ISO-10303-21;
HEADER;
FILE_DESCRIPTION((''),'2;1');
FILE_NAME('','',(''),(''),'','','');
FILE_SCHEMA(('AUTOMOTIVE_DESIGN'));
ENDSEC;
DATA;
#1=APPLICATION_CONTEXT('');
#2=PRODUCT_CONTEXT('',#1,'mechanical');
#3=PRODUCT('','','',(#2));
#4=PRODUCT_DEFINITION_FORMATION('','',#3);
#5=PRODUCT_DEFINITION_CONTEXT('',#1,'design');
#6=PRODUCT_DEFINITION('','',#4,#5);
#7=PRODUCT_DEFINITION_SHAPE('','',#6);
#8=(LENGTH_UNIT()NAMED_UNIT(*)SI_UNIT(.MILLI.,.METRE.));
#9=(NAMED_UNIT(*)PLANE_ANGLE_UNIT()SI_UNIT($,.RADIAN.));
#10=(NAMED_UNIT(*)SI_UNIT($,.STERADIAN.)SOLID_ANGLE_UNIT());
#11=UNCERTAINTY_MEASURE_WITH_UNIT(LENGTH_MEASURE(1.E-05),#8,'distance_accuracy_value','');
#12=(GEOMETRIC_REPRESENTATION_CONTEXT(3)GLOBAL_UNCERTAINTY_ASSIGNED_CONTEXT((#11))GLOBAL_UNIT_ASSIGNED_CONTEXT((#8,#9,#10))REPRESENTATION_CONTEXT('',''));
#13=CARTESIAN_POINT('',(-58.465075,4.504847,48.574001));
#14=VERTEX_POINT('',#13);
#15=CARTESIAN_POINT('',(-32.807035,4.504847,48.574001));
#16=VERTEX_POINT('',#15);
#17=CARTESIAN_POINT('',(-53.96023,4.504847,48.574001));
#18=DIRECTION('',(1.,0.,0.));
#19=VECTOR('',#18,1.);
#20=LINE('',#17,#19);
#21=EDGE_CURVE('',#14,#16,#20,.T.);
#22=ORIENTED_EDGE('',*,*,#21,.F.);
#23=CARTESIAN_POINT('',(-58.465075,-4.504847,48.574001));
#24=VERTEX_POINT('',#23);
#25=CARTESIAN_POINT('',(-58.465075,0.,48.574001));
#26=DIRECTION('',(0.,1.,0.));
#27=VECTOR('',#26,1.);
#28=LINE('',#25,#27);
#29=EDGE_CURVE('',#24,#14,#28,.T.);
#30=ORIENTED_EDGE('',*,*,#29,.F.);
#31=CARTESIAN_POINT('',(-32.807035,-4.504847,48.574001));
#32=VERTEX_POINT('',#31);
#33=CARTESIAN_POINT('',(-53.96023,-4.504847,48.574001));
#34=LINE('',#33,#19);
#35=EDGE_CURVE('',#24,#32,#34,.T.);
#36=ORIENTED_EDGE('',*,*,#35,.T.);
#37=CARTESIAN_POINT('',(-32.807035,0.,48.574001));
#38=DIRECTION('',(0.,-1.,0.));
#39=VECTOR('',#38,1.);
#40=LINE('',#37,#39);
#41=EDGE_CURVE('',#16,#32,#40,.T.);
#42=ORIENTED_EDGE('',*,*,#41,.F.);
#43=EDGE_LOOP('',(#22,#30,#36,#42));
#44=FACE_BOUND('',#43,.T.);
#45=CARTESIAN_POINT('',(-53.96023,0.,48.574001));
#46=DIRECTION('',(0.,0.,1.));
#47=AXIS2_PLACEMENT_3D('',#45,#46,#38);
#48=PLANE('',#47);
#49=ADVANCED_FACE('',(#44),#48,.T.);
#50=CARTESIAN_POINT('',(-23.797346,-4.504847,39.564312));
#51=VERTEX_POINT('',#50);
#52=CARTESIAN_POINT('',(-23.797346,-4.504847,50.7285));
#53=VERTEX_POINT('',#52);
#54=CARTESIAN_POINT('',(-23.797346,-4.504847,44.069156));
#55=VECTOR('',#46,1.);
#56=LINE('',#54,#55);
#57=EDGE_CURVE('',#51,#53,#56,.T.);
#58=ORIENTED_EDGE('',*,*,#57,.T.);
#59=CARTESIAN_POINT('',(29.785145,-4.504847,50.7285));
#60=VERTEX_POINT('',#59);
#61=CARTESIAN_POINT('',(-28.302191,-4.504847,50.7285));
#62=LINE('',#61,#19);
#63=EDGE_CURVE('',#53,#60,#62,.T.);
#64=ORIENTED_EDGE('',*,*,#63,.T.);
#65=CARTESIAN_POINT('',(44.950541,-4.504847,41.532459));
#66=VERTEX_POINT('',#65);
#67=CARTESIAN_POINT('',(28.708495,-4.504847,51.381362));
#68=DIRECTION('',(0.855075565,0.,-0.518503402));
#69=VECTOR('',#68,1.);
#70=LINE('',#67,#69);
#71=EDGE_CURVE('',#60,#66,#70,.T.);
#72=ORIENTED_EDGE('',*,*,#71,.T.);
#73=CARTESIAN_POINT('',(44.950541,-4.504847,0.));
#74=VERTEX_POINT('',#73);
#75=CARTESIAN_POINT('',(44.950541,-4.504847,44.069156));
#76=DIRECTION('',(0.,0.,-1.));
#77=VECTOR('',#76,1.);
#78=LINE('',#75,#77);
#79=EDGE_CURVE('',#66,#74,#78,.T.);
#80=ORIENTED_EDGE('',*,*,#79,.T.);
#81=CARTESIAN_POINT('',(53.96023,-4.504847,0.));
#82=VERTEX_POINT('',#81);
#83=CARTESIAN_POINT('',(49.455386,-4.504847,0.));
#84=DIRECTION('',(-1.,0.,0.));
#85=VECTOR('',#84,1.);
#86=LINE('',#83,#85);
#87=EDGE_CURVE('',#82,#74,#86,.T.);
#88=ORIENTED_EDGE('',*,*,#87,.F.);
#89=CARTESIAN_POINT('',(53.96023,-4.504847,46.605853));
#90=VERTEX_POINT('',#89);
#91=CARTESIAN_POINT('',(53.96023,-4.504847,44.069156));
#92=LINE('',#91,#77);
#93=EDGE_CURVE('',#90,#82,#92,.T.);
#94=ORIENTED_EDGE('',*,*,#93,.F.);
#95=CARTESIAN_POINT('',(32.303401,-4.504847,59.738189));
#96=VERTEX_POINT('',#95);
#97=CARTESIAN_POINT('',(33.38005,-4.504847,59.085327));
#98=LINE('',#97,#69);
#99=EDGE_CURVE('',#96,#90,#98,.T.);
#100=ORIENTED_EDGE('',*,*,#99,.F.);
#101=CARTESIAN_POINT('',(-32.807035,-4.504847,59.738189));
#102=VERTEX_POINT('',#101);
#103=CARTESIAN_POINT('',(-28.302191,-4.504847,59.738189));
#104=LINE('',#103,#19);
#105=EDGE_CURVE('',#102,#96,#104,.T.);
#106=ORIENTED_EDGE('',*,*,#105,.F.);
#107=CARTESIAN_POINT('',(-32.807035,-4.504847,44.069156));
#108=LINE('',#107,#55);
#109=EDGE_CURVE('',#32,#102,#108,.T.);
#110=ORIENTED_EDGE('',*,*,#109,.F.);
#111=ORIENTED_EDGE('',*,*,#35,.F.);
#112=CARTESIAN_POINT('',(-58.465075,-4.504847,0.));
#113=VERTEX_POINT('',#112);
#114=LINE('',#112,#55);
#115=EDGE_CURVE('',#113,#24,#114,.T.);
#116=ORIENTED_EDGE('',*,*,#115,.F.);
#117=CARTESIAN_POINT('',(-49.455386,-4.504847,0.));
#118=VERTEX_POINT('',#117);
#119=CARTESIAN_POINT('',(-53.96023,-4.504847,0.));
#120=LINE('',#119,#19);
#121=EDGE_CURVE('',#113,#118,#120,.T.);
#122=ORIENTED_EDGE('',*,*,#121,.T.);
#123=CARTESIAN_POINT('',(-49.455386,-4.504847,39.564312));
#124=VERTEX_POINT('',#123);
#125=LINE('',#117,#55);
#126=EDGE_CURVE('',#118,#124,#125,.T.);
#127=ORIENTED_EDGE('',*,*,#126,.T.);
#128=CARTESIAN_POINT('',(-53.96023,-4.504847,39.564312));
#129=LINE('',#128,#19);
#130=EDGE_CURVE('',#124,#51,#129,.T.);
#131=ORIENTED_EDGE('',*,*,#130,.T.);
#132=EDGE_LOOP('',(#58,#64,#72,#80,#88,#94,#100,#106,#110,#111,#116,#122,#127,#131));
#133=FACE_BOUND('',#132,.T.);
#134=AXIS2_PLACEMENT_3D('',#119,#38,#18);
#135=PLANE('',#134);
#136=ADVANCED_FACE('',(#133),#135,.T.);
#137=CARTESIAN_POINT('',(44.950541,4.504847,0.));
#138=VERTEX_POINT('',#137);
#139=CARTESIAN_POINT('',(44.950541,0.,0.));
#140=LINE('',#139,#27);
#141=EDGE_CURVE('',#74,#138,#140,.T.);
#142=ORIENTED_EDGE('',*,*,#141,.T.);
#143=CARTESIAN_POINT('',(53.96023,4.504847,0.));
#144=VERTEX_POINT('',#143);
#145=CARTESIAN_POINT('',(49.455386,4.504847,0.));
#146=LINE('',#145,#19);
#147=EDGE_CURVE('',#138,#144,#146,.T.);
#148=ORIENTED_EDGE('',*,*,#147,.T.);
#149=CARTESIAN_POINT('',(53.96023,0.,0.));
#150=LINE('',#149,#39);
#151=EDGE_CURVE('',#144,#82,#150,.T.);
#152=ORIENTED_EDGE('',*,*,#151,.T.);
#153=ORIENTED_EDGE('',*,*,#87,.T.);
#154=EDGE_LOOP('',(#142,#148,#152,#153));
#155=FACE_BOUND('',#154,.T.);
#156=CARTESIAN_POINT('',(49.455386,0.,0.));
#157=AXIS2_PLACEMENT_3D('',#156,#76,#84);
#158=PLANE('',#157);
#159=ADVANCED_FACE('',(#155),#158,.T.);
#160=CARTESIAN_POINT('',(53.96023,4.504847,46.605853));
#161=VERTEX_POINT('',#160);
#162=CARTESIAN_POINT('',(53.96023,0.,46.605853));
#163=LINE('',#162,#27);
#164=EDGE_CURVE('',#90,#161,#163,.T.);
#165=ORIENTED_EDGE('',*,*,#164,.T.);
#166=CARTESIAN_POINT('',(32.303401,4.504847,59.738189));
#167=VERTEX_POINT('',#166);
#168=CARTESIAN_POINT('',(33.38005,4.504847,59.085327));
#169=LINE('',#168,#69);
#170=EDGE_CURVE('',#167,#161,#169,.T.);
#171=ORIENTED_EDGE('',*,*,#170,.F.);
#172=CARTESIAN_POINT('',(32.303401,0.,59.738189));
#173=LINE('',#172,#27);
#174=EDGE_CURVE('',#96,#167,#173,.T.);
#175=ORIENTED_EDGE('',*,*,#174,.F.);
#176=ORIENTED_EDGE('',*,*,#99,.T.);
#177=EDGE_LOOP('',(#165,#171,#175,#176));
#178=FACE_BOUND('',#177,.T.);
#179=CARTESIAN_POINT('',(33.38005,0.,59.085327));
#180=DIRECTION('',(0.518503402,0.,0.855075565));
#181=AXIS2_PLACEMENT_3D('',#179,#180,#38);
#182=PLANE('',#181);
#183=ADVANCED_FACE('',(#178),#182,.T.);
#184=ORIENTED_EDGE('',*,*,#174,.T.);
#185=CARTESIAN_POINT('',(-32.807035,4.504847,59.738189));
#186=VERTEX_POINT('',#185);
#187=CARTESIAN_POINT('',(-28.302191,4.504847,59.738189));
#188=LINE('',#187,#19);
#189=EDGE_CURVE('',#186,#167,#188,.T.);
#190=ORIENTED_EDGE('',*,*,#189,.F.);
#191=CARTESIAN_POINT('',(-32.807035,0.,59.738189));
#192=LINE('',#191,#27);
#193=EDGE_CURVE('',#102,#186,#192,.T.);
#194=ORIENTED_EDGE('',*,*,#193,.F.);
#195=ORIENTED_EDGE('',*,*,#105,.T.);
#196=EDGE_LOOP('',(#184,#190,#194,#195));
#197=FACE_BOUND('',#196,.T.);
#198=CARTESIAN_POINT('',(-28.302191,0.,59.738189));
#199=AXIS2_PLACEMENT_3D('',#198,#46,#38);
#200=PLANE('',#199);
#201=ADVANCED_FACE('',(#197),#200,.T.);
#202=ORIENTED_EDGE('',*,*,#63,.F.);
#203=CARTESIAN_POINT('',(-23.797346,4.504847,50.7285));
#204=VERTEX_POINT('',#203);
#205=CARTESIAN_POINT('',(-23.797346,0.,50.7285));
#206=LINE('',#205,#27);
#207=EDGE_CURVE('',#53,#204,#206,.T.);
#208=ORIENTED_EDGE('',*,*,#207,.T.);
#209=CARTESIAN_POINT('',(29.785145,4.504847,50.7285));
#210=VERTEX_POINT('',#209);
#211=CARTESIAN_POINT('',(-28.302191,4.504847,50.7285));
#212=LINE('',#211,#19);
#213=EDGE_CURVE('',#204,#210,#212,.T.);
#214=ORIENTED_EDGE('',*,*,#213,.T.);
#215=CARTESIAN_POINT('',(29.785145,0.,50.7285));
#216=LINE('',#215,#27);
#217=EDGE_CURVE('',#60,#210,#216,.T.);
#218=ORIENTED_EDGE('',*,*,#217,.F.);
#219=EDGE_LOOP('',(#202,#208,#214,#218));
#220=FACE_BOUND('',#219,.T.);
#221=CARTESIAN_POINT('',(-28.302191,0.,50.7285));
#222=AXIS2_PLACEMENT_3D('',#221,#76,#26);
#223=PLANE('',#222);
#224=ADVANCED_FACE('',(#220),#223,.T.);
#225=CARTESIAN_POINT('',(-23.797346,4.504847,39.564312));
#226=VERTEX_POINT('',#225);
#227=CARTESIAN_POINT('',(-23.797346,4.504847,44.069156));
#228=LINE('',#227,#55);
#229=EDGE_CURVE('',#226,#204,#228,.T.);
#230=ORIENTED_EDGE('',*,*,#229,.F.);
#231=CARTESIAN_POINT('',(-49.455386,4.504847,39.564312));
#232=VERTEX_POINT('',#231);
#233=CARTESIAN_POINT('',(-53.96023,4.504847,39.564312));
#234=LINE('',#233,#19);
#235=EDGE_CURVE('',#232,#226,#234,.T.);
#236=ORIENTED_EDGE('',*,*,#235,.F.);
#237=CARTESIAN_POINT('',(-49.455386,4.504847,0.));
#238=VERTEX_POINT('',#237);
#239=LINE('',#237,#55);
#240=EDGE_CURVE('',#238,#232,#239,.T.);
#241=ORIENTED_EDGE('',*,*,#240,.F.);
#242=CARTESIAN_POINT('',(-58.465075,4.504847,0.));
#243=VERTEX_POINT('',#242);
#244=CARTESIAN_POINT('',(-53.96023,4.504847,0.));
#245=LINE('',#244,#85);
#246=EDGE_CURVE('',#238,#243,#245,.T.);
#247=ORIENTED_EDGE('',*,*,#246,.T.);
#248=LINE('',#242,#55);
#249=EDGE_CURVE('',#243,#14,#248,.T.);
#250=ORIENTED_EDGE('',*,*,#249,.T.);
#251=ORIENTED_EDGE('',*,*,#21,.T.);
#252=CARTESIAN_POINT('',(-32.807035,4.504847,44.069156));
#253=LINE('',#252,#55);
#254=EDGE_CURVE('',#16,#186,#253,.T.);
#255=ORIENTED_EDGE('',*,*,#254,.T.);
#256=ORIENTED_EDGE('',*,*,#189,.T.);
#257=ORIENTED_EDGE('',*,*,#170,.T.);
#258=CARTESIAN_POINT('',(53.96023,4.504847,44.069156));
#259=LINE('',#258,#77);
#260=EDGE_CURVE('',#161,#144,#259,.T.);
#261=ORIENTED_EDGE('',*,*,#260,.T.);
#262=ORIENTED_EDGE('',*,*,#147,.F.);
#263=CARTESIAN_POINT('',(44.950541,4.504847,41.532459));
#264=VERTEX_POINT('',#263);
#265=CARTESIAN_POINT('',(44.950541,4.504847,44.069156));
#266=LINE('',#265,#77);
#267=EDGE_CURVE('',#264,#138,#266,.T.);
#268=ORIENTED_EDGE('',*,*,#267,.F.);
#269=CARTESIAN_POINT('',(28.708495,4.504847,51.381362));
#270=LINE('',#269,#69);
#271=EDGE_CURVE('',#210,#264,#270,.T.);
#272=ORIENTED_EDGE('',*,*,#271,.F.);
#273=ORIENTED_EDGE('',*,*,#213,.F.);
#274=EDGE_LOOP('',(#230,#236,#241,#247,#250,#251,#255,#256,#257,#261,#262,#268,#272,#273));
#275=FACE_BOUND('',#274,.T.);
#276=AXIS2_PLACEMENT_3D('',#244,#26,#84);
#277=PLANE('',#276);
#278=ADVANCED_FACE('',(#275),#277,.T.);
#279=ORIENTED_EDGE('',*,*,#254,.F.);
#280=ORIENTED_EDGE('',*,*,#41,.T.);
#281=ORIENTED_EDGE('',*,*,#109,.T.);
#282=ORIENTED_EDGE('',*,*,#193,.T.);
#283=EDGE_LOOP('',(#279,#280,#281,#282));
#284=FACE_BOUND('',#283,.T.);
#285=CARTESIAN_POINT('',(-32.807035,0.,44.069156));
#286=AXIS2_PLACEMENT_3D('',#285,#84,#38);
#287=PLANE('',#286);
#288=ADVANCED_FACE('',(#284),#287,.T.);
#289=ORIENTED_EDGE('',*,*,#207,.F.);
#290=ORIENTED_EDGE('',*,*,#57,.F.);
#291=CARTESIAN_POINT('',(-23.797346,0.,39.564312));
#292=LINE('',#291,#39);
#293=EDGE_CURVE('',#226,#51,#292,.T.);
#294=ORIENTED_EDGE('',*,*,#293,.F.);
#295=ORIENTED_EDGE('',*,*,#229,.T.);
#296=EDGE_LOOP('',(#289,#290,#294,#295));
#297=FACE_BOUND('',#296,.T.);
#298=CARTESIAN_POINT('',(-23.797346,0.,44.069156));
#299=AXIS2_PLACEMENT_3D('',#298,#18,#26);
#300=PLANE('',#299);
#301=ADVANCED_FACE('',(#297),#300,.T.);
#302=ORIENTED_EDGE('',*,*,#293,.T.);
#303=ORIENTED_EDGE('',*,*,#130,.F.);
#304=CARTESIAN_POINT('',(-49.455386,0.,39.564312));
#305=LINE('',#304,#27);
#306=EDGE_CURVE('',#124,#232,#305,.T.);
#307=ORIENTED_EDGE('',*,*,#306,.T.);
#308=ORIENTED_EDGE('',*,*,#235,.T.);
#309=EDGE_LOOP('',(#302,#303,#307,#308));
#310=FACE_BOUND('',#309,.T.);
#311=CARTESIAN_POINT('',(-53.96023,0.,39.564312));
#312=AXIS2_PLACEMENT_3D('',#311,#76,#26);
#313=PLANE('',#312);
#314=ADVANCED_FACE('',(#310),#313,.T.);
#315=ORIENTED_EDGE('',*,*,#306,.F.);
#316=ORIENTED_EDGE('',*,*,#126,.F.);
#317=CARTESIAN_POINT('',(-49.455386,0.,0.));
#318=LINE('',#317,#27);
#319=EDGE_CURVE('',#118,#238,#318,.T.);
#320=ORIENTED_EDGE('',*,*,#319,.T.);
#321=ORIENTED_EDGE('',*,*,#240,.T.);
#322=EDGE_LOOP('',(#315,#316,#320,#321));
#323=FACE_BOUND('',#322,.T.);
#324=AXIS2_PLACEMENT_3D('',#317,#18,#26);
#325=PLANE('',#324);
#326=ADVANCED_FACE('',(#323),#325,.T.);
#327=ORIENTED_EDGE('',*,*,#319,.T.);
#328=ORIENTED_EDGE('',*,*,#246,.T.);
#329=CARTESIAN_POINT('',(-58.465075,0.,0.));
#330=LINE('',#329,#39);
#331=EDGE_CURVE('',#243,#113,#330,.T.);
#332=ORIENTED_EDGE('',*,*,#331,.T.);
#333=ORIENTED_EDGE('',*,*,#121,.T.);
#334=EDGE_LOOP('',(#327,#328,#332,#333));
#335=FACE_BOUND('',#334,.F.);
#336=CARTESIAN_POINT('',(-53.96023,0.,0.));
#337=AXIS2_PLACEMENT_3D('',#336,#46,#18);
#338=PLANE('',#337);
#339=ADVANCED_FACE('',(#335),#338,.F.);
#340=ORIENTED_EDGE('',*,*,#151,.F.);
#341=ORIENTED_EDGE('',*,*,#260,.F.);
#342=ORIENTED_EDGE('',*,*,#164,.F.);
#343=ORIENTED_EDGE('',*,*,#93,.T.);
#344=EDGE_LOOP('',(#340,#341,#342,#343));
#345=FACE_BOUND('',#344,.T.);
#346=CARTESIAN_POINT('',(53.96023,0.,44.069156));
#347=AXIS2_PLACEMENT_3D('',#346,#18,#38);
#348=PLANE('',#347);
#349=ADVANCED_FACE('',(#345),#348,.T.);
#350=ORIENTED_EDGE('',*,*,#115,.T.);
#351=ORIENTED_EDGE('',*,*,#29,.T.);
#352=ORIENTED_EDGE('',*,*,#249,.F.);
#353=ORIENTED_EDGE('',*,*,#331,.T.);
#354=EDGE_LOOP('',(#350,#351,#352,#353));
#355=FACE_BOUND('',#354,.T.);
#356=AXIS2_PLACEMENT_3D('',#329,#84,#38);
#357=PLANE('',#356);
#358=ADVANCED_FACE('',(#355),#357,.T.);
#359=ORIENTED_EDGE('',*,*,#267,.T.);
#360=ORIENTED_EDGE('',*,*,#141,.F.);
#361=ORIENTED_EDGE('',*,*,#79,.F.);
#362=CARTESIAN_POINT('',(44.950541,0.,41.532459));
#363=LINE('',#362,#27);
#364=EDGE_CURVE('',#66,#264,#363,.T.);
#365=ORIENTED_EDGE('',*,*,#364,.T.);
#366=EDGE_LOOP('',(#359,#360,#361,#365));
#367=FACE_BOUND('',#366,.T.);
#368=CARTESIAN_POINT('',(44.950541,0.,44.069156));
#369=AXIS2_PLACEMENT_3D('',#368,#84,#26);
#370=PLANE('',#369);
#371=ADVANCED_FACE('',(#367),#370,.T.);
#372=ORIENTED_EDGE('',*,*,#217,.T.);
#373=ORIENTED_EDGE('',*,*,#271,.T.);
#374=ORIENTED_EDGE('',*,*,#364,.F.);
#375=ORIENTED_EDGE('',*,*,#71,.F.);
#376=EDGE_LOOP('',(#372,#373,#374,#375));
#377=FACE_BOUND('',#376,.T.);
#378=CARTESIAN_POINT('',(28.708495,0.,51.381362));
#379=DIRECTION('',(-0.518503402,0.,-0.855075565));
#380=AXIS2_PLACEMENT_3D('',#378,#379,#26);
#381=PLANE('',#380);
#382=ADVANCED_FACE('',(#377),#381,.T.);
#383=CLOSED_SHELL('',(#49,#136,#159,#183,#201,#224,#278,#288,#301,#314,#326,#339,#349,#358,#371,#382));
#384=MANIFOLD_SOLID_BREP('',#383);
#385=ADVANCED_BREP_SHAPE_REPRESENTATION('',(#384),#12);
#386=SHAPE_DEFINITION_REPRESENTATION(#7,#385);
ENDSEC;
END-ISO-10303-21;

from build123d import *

# Parameters (mm, degrees)
F1_W = 9.0096890926
F1_H = 9.0096937492


with BuildPart() as f2:
    # F2: sweep along a path in F0
    with BuildLine(Plane.XZ) as f2_path:
        Line((-53.9602302015, 0), (-53.9602302015, 44.0691560507))
        Line((-53.9602302015, 44.0691560507), (-28.3021908253, 44.0691560507))
        Line((-28.3021908253, 44.0691560507), (-28.3021908253, 55.2333444357))
        Line((-28.3021908253, 55.2333444357), (31.0442727059, 55.2333444357))
        Line((31.0442727059, 55.2333444357), (49.4553856552, 44.0691560507))
        Line((49.4553856552, 44.0691560507), (49.4553856552, 0))
    # F1 (on Top) → F2 (sweep)
    with BuildSketch(Plane.XY):
        with Locations((-53.9602302015, 0)):
            Rectangle(F1_W, F1_H)
    sweep(path=f2_path.line, transition=Transition.RIGHT)


solid = f2.part
